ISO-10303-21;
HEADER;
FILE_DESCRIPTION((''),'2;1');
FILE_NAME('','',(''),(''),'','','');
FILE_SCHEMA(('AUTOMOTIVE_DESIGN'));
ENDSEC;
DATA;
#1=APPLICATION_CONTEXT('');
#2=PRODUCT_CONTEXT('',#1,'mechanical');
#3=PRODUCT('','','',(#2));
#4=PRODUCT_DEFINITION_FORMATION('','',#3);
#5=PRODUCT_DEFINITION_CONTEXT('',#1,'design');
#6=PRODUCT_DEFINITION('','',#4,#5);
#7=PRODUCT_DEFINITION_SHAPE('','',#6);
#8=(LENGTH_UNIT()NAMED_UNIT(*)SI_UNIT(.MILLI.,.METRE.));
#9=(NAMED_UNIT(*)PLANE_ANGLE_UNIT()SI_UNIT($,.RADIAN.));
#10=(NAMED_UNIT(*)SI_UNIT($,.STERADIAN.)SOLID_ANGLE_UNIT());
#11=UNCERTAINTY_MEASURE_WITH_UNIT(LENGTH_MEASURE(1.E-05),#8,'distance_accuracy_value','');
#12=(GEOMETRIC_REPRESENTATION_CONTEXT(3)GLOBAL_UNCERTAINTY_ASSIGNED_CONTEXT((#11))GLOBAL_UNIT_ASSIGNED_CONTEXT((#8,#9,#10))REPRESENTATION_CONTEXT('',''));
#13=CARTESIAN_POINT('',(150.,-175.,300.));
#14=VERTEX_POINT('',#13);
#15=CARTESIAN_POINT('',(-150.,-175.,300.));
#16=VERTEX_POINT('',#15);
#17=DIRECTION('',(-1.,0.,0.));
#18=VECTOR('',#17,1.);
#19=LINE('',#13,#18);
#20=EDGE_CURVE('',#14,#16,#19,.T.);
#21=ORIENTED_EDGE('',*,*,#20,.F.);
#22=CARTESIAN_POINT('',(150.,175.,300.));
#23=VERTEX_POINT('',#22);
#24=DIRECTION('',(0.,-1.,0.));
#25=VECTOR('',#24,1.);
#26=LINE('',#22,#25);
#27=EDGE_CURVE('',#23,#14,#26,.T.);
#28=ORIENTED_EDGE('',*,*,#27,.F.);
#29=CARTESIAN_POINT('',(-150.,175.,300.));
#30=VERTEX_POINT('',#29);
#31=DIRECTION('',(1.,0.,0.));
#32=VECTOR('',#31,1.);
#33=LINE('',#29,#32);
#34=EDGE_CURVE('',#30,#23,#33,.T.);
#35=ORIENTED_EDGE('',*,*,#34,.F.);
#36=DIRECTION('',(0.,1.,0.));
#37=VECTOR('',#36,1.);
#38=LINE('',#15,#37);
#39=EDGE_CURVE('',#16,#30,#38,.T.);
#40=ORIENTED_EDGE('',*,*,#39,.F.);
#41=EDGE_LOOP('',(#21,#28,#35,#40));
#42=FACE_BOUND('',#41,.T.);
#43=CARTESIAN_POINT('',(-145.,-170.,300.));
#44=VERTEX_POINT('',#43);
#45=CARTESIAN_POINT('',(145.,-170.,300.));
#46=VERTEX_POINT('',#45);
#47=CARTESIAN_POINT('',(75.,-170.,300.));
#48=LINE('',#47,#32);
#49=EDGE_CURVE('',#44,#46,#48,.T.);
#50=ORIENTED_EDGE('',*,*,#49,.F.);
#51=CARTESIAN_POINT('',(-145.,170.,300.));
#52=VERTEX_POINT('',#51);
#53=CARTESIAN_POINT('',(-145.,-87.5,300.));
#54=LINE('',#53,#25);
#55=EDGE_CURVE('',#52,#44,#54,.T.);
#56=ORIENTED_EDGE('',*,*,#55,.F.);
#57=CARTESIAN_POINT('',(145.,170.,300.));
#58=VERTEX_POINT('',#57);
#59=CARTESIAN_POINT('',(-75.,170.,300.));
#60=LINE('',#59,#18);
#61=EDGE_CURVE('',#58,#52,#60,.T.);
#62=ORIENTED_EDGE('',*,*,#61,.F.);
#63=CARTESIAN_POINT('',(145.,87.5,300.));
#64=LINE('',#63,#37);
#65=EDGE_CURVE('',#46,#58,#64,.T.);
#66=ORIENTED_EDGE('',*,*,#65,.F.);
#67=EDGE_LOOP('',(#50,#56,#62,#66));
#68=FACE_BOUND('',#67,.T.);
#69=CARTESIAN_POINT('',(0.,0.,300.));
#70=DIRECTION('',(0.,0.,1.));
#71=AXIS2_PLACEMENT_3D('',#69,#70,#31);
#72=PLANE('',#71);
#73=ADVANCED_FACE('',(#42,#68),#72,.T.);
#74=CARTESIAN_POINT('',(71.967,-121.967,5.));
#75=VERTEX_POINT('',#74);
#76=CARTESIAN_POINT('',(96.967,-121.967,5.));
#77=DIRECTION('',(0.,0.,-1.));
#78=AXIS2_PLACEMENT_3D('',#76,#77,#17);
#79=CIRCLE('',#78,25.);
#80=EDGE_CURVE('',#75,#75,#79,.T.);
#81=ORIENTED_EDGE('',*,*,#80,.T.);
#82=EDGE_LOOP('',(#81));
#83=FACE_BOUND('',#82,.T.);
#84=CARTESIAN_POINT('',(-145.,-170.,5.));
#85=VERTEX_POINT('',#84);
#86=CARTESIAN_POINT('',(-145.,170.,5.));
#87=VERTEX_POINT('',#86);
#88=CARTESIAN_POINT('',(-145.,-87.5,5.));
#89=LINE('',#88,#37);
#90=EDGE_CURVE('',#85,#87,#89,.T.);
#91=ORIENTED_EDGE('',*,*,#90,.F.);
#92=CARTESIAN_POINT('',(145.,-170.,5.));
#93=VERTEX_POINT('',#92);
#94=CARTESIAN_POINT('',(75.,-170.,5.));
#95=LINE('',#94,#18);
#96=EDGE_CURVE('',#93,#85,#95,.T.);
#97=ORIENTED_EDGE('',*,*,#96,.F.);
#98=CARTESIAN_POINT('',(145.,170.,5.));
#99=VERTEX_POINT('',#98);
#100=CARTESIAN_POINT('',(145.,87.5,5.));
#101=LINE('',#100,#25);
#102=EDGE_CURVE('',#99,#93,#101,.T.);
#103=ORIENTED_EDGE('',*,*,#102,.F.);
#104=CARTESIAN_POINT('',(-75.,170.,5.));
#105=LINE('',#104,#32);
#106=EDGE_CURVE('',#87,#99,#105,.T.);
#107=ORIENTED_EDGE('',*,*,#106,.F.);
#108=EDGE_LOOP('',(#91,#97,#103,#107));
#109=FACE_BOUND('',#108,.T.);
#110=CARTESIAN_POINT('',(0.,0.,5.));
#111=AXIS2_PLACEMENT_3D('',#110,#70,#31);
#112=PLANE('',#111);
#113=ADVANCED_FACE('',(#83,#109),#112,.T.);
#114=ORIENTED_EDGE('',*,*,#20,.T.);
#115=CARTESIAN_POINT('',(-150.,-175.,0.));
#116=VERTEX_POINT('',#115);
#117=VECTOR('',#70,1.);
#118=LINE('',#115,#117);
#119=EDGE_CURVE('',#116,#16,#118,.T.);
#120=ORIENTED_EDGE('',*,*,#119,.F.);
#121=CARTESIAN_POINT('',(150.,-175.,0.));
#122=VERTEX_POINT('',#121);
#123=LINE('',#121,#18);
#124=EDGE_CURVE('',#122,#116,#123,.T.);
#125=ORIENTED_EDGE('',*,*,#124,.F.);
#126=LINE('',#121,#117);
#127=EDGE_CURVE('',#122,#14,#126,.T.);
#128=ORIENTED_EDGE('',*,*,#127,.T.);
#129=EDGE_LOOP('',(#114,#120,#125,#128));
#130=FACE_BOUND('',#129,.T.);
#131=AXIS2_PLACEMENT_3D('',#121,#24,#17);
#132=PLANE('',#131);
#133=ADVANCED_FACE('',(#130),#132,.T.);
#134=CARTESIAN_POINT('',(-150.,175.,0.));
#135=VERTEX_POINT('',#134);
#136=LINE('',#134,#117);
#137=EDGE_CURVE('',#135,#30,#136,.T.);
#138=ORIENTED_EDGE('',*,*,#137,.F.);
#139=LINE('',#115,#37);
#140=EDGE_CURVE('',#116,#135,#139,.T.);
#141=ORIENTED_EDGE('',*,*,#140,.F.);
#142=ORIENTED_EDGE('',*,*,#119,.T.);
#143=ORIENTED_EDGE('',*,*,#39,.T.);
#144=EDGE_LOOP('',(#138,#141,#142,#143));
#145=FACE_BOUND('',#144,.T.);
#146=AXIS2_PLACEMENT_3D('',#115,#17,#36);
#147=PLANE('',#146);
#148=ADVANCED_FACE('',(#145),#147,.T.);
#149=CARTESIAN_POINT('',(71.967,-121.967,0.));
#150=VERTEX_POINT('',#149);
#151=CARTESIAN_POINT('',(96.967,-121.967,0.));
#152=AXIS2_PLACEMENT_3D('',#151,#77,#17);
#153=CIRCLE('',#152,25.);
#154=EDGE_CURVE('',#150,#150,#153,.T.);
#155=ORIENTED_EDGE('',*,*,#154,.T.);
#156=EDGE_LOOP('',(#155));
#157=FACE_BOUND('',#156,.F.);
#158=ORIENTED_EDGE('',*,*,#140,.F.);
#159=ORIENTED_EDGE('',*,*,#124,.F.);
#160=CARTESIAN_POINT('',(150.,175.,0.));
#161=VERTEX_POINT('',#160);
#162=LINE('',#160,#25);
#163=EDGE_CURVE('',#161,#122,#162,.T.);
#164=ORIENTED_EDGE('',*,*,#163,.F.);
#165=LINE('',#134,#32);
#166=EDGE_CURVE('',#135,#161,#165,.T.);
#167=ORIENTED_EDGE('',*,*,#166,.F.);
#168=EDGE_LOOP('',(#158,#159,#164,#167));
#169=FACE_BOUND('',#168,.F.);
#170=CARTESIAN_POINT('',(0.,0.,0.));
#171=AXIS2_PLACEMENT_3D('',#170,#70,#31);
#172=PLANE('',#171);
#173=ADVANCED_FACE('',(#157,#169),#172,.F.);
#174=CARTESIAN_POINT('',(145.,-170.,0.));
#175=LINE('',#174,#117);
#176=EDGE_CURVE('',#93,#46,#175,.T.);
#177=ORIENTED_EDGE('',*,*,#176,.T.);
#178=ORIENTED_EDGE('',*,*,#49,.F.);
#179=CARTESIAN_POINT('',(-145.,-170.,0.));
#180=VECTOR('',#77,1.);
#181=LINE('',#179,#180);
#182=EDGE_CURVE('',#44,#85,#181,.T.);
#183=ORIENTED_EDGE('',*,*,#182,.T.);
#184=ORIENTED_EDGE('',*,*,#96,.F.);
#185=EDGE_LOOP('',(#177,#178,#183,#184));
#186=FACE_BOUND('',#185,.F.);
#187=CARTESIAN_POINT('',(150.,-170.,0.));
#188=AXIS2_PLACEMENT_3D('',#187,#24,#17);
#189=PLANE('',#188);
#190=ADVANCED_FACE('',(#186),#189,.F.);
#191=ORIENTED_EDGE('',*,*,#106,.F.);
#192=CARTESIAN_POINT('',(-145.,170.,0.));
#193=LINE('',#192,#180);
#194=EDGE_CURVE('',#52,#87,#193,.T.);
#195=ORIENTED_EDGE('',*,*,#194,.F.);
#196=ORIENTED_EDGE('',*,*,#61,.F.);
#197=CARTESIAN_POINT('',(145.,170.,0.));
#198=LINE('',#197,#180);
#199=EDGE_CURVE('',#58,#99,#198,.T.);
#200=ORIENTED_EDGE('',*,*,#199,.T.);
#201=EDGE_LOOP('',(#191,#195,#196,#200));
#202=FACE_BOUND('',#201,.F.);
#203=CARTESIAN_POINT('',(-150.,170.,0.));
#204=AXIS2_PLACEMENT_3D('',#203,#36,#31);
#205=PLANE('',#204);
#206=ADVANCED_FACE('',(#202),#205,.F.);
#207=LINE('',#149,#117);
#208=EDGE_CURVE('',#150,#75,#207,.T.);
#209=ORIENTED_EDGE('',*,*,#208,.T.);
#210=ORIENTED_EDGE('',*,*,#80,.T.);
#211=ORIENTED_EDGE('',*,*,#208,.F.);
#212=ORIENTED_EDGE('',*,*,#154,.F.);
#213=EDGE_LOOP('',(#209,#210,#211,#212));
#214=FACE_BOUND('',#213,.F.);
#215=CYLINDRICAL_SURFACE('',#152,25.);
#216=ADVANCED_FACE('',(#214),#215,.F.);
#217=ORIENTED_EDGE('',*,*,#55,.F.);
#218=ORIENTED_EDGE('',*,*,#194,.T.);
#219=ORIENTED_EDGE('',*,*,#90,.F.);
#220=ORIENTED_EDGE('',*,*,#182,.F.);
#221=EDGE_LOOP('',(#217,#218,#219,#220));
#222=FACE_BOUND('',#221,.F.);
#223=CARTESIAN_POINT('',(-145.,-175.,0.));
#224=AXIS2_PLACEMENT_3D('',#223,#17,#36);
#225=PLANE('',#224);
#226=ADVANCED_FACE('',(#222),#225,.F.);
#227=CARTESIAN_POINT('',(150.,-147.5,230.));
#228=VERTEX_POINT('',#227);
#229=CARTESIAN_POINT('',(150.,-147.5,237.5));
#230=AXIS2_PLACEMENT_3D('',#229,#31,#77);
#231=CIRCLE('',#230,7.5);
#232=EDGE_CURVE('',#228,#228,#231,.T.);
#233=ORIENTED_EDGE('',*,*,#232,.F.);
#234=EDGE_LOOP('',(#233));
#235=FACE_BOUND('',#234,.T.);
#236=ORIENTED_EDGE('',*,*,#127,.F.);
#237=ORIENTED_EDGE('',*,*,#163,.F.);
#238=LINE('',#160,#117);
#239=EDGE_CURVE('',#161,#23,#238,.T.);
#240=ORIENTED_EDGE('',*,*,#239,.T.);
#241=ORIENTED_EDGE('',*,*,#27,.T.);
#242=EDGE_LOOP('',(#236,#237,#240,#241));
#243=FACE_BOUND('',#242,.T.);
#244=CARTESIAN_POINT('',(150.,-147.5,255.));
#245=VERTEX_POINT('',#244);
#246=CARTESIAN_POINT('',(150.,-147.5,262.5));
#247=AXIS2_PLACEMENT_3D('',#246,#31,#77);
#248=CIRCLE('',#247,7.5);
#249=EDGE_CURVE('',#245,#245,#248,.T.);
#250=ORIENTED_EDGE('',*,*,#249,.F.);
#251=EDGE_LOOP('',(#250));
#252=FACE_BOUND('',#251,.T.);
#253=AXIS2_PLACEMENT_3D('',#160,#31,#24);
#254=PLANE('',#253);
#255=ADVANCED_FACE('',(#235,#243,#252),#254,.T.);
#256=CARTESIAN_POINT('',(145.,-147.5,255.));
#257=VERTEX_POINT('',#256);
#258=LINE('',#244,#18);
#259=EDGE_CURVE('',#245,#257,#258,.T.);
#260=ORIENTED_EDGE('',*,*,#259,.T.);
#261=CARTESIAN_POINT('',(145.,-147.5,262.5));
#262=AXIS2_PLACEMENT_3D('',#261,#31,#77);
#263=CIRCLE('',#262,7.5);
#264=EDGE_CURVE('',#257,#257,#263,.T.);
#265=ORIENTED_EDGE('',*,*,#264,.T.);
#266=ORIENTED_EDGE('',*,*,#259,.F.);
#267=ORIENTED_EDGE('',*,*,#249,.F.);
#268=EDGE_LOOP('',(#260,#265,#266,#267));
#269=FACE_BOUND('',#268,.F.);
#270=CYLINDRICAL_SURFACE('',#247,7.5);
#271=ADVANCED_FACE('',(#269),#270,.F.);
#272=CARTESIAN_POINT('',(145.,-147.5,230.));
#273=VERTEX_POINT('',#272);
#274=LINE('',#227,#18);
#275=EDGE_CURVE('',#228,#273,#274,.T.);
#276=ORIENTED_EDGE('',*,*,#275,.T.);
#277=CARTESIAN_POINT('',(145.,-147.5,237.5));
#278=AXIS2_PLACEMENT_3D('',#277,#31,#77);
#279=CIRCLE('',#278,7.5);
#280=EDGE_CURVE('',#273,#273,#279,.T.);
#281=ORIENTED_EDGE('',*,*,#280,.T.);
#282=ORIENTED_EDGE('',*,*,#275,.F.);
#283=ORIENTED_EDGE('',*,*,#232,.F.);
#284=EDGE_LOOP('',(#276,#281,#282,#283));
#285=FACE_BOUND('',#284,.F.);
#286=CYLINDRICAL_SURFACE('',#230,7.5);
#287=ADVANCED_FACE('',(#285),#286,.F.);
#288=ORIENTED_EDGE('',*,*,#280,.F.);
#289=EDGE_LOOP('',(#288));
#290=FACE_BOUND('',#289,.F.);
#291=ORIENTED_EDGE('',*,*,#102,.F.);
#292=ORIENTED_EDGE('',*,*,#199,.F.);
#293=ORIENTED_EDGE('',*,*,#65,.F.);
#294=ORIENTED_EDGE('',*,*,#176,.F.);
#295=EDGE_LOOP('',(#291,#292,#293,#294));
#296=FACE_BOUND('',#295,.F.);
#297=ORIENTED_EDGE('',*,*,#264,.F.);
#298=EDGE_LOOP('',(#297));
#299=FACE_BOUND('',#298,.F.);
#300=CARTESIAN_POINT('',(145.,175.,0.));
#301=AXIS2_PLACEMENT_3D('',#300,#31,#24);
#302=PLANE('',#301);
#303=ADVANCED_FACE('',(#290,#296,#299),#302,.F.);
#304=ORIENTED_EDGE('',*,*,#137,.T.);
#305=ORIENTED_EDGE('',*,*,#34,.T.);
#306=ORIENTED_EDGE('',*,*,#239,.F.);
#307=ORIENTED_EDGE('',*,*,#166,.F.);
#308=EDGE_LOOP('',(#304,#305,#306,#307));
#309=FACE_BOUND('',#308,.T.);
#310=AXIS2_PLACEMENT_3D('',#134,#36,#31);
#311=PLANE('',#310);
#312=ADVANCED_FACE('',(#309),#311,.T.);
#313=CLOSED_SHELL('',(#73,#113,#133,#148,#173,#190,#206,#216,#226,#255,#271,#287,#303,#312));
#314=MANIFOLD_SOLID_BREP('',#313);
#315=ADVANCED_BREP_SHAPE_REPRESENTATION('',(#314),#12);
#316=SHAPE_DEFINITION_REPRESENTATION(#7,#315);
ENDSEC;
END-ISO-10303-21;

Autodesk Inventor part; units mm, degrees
ref_plane "YZ Plane" through (0, 0, 0) normal (1, 0, 0) x (0, 1, 0)
ref_plane "XZ Plane" through (0, 0, 0) normal (0, 1, 0) x (-1, 0, 0)
ref_plane "XY Plane" through (0, 0, 0) normal (0, 0, 1) x (1, 0, 0)
sketch "Sketch2" plane through (0, 0, 0) normal (0, 0, 1) x (1, 0, 0)
  line L0 (150, -175) -> (-150, -175)
  line L1 (-150, -175) -> (-150, 175)
  line L2 (-150, 175) -> (150, 175)
  line L3 (150, 175) -> (150, -175)
  line L4 (150, -175) -> (-150, 175) construction
  line L5 (-150, -175) -> (150, 175) construction
  point P0 (0, 0)
  dimension "d0" = 300
  dimension "d1" = 350
extrude "Base" add sketch "Sketch2" along normal blind 300
shell "Shell1" thickness 5 removed faces 1 at (50, -58.3333, 300)
sketch "Sketch3" plane through (150, -175, 0) normal (1, 0, 0) x (0, 0, -1)
  circle A0 centre (-262.5, 27.5) radius 7.5
  line L0 (-300, 350) -> (-300, 0) projected
  line L1 (0, 0) -> (-300, 0) projected
  circle A1 centre (-237.5, 27.5) radius 7.5
  point P0 (0, 175)
  dimension "d5" = 15
  dimension "d9" = 37.5
  dimension "d10" = 27.5
  dimension "d13" = 25
extrude "Wire holes" cut sketch "Sketch3" against normal up to surface (5 mm away)
sketch "Sketch4" plane through (0, 0, 0) normal (0, 0, -1) x (-1, 0, 0)
  circle A0 centre (-96.967, -121.967) radius 25
  line L0 (-150, -175) -> (-96.967, -121.967) construction
  line L1 (-150, -175) -> (-75, -175) construction
  point P0 (0, 0)
  dimension "d20" = 50
  dimension "d21" = 75
  dimension "d22" = 45
extrude "Exhaust" cut sketch "Sketch4" against normal up to surface (5 mm away)
properties part number "mouse_SP_inner"
